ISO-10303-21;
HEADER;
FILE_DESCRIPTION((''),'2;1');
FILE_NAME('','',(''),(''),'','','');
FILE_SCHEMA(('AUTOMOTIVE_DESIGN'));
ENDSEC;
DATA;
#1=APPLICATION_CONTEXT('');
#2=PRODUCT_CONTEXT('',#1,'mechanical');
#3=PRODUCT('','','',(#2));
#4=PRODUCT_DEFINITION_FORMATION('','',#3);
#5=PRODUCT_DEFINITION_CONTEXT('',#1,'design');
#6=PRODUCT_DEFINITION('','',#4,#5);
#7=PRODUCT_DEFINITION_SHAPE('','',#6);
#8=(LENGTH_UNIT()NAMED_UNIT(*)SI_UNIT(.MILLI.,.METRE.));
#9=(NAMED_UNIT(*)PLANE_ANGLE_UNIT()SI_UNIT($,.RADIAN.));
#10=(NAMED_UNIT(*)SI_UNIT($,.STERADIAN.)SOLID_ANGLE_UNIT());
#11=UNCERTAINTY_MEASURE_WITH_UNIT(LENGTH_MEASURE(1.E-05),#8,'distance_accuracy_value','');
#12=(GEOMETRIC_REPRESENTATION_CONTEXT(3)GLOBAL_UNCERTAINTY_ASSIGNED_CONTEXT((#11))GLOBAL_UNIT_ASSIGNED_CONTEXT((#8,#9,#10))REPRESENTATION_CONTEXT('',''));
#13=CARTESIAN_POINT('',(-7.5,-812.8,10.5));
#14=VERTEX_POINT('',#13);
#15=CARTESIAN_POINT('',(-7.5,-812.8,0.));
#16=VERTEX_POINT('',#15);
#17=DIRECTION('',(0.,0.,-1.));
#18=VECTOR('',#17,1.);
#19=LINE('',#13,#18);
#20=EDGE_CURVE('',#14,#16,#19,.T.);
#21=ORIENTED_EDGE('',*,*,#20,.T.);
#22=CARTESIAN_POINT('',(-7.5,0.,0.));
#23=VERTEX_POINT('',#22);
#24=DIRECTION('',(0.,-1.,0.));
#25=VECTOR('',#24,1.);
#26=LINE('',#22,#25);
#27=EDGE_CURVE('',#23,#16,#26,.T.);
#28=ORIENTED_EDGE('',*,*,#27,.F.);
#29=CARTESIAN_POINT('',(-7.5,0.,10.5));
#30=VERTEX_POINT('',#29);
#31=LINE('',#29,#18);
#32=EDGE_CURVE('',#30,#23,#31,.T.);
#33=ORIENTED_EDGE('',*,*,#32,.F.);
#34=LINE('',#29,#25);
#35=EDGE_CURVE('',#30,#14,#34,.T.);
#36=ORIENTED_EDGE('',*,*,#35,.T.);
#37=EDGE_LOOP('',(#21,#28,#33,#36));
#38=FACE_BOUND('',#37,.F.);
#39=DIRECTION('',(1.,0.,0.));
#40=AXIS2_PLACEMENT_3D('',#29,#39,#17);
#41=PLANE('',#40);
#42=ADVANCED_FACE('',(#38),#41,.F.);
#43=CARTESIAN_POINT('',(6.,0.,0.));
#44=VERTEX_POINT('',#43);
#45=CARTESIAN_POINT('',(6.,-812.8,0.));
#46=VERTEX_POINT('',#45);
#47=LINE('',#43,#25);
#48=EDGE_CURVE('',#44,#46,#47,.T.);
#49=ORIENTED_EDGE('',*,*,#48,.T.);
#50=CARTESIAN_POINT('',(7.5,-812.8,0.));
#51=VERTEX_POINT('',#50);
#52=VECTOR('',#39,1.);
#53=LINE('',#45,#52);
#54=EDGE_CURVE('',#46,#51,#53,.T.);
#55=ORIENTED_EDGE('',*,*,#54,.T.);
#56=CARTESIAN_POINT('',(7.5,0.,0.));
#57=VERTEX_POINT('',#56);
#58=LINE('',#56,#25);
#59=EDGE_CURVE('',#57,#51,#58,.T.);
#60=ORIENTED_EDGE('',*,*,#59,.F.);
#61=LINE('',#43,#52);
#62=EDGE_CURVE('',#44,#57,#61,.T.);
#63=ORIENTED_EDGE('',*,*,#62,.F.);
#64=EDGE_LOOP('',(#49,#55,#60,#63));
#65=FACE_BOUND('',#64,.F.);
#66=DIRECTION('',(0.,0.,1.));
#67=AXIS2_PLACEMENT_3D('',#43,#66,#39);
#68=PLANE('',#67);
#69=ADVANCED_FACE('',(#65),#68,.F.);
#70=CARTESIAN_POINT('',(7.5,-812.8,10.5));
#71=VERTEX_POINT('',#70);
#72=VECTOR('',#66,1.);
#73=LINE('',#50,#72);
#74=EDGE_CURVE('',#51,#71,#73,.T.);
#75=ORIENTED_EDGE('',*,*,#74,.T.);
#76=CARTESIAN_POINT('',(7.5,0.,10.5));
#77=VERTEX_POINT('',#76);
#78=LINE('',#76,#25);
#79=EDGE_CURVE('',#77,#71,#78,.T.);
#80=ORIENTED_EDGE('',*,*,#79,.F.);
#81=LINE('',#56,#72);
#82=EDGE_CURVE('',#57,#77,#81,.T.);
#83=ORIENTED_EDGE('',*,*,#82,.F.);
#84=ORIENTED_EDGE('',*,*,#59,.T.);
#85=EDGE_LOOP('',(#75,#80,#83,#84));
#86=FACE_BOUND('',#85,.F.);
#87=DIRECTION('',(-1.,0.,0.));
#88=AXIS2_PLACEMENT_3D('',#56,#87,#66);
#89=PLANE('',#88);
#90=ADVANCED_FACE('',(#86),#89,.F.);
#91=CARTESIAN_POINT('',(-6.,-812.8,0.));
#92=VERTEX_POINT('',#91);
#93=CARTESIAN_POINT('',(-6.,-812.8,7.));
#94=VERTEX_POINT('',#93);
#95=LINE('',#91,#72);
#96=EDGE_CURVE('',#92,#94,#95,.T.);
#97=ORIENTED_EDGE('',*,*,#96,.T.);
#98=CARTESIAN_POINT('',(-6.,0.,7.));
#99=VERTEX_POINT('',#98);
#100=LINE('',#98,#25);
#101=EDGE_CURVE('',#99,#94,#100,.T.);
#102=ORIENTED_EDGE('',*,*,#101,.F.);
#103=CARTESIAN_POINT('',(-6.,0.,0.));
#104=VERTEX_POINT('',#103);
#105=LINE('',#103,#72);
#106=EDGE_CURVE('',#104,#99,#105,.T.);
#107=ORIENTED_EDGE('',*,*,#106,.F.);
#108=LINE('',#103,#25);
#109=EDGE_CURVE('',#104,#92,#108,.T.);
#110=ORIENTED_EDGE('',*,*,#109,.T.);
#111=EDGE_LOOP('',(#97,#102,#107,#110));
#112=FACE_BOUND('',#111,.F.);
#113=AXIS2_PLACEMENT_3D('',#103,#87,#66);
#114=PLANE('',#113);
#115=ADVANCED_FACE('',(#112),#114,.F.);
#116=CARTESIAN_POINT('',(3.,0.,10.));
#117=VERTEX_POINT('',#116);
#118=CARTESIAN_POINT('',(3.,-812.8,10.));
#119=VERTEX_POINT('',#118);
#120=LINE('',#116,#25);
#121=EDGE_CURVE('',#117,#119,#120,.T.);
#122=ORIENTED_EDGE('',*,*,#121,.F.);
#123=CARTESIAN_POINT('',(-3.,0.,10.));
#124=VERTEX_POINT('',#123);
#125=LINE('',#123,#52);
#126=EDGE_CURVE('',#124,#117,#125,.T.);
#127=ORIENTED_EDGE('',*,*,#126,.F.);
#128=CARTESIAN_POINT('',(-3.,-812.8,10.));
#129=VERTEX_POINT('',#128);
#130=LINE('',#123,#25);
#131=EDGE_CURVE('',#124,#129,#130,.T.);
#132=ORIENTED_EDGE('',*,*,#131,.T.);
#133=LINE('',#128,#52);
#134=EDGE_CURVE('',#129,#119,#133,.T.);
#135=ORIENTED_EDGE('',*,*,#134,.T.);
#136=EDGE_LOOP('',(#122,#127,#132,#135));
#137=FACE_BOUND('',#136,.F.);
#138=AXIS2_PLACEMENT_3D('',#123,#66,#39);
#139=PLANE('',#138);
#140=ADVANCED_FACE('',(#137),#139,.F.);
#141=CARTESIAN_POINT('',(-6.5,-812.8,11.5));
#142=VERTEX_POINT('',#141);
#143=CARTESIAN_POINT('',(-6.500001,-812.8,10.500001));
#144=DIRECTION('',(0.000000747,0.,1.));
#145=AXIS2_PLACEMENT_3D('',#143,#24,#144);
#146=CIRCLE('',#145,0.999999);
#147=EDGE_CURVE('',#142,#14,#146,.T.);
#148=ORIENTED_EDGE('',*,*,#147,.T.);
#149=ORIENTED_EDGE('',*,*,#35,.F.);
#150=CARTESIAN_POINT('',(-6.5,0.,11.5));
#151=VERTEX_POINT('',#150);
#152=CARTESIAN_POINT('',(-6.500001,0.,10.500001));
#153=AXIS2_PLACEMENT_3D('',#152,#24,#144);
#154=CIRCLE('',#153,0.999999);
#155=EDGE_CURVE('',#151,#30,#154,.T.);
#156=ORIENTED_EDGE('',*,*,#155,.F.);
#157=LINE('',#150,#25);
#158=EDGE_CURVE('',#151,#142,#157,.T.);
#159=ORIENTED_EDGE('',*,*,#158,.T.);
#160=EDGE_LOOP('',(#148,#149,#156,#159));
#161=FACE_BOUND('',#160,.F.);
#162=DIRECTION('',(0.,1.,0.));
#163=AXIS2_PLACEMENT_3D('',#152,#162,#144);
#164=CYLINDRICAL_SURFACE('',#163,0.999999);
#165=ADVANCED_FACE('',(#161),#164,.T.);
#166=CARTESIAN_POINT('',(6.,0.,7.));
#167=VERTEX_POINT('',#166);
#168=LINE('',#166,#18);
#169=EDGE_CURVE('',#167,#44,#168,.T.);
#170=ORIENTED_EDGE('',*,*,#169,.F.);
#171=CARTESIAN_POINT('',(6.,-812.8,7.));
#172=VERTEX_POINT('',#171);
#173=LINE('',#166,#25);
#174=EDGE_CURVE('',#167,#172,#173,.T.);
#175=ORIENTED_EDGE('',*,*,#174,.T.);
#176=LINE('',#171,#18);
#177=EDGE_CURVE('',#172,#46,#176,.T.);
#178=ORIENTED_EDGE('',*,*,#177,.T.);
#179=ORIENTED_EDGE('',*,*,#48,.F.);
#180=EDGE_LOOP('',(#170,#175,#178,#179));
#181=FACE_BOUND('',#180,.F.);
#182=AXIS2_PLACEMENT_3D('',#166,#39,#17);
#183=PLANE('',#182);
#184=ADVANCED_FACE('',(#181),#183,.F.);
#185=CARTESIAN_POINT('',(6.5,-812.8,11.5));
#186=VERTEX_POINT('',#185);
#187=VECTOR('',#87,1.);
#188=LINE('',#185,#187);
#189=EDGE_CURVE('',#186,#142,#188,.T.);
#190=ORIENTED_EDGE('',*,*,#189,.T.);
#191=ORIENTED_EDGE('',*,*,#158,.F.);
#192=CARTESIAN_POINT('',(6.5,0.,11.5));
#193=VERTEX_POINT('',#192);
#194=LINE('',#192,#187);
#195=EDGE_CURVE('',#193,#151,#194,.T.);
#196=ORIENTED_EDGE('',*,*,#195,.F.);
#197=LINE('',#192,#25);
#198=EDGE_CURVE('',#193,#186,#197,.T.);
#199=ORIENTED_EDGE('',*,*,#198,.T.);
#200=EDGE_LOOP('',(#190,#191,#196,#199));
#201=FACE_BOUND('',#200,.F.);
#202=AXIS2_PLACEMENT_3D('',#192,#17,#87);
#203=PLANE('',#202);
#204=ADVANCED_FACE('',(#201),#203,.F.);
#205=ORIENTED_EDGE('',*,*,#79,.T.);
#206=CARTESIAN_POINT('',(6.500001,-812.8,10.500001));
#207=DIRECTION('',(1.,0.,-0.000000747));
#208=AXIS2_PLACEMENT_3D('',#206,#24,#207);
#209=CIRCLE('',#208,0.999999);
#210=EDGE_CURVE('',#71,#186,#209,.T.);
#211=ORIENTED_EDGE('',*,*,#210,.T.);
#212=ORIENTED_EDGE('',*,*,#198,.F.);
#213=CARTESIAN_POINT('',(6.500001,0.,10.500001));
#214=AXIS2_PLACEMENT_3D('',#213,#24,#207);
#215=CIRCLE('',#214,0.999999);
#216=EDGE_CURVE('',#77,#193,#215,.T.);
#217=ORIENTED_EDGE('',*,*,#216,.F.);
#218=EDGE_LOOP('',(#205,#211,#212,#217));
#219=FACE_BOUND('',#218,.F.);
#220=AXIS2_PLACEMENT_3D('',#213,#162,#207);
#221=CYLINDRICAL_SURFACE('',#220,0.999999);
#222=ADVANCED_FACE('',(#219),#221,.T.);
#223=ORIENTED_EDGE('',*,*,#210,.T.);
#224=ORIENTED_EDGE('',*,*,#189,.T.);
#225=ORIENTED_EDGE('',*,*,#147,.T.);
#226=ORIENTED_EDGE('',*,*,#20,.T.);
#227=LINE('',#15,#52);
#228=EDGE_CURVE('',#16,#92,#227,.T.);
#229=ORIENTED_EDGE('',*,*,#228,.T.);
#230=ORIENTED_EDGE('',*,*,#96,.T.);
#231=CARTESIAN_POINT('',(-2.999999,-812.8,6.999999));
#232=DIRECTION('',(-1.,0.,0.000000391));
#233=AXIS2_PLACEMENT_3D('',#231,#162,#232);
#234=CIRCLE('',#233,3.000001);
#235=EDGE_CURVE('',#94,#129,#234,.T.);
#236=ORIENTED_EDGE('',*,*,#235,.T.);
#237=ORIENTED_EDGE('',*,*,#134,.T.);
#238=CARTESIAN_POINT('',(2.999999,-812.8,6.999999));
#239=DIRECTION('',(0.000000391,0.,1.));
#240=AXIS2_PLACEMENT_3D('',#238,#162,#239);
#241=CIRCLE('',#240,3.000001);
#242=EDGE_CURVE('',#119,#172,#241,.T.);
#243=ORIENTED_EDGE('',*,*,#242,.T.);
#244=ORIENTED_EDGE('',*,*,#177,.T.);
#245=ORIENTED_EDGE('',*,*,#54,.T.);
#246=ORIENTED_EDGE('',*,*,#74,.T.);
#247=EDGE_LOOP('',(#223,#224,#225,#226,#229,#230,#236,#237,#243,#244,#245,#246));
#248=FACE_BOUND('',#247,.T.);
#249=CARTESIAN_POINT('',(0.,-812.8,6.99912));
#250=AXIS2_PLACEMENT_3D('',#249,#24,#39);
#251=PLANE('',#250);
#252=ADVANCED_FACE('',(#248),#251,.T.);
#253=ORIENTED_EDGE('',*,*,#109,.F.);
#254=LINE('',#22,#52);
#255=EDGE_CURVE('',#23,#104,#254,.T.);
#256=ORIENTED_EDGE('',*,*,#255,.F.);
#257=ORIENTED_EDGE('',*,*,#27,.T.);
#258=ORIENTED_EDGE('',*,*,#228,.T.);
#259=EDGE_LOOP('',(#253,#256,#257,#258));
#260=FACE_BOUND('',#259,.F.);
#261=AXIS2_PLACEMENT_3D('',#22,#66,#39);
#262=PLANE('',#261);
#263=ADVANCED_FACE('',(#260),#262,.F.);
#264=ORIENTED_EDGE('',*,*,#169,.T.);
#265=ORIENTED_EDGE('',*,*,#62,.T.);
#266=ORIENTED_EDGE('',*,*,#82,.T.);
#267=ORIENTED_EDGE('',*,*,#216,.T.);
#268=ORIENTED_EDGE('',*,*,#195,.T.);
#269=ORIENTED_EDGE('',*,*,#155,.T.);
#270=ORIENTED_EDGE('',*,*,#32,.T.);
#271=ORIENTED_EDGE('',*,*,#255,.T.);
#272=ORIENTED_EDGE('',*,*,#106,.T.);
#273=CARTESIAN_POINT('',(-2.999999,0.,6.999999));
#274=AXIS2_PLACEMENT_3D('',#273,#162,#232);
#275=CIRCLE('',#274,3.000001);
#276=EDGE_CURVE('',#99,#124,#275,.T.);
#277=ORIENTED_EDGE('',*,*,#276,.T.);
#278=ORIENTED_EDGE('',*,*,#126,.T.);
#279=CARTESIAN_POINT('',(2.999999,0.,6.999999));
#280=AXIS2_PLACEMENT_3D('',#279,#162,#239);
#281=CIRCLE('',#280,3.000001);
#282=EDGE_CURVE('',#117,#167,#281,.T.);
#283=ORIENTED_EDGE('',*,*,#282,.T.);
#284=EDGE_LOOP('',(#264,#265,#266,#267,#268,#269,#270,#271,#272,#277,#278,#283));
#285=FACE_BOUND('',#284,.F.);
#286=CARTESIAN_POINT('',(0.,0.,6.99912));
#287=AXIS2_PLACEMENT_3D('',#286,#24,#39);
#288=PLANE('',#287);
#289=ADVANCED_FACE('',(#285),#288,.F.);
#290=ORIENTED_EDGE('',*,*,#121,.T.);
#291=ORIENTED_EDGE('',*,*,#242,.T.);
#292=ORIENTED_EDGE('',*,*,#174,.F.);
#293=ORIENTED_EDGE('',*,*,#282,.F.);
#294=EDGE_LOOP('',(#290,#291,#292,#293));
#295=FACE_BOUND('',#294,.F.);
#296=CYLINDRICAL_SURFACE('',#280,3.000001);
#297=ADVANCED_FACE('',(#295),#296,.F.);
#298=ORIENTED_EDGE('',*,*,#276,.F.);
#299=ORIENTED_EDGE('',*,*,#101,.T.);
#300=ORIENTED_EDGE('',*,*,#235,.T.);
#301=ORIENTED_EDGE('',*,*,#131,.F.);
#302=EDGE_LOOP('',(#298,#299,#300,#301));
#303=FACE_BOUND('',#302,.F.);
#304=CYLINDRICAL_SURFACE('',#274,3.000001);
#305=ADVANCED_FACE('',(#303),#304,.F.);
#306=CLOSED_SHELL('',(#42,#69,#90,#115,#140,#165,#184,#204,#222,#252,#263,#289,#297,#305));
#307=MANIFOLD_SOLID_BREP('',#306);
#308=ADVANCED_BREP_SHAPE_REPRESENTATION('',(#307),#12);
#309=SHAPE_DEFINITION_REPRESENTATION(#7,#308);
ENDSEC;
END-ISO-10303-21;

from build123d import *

# Parameters (mm, degrees)
F1_DEPTH = 812.8


with BuildPart() as f1:
    # F0 (on Front) → F1 (new body)
    with BuildSketch(Plane.XZ):
        with BuildLine():
            Line((6.5, 11.5), (0, 11.5))
            Line((0, 11.5), (-6.5, 11.5))
            ThreePointArc((-6.5, 11.5), (-7.207107, 11.207107), (-7.5, 10.5))
            Line((-7.5, 10.5), (-7.5, 0))
            Line((-7.5, 0), (-6, 0))
            Line((-6, 0), (-6, 7))
            ThreePointArc((-6, 7), (-5.12132, 9.12132), (-3, 10))
            Line((-3, 10), (0, 10))
            Line((0, 10), (3, 10))
            ThreePointArc((3, 10), (5.12132, 9.12132), (6, 7))
            Line((6, 7), (6, 0))
            Line((6, 0), (7.5, 0))
            Line((7.5, 0), (7.5, 10.5))
            ThreePointArc((7.5, 10.5), (7.207107, 11.207107), (6.5, 11.5))
        make_face()
    extrude(amount=F1_DEPTH)


solid = f1.part
